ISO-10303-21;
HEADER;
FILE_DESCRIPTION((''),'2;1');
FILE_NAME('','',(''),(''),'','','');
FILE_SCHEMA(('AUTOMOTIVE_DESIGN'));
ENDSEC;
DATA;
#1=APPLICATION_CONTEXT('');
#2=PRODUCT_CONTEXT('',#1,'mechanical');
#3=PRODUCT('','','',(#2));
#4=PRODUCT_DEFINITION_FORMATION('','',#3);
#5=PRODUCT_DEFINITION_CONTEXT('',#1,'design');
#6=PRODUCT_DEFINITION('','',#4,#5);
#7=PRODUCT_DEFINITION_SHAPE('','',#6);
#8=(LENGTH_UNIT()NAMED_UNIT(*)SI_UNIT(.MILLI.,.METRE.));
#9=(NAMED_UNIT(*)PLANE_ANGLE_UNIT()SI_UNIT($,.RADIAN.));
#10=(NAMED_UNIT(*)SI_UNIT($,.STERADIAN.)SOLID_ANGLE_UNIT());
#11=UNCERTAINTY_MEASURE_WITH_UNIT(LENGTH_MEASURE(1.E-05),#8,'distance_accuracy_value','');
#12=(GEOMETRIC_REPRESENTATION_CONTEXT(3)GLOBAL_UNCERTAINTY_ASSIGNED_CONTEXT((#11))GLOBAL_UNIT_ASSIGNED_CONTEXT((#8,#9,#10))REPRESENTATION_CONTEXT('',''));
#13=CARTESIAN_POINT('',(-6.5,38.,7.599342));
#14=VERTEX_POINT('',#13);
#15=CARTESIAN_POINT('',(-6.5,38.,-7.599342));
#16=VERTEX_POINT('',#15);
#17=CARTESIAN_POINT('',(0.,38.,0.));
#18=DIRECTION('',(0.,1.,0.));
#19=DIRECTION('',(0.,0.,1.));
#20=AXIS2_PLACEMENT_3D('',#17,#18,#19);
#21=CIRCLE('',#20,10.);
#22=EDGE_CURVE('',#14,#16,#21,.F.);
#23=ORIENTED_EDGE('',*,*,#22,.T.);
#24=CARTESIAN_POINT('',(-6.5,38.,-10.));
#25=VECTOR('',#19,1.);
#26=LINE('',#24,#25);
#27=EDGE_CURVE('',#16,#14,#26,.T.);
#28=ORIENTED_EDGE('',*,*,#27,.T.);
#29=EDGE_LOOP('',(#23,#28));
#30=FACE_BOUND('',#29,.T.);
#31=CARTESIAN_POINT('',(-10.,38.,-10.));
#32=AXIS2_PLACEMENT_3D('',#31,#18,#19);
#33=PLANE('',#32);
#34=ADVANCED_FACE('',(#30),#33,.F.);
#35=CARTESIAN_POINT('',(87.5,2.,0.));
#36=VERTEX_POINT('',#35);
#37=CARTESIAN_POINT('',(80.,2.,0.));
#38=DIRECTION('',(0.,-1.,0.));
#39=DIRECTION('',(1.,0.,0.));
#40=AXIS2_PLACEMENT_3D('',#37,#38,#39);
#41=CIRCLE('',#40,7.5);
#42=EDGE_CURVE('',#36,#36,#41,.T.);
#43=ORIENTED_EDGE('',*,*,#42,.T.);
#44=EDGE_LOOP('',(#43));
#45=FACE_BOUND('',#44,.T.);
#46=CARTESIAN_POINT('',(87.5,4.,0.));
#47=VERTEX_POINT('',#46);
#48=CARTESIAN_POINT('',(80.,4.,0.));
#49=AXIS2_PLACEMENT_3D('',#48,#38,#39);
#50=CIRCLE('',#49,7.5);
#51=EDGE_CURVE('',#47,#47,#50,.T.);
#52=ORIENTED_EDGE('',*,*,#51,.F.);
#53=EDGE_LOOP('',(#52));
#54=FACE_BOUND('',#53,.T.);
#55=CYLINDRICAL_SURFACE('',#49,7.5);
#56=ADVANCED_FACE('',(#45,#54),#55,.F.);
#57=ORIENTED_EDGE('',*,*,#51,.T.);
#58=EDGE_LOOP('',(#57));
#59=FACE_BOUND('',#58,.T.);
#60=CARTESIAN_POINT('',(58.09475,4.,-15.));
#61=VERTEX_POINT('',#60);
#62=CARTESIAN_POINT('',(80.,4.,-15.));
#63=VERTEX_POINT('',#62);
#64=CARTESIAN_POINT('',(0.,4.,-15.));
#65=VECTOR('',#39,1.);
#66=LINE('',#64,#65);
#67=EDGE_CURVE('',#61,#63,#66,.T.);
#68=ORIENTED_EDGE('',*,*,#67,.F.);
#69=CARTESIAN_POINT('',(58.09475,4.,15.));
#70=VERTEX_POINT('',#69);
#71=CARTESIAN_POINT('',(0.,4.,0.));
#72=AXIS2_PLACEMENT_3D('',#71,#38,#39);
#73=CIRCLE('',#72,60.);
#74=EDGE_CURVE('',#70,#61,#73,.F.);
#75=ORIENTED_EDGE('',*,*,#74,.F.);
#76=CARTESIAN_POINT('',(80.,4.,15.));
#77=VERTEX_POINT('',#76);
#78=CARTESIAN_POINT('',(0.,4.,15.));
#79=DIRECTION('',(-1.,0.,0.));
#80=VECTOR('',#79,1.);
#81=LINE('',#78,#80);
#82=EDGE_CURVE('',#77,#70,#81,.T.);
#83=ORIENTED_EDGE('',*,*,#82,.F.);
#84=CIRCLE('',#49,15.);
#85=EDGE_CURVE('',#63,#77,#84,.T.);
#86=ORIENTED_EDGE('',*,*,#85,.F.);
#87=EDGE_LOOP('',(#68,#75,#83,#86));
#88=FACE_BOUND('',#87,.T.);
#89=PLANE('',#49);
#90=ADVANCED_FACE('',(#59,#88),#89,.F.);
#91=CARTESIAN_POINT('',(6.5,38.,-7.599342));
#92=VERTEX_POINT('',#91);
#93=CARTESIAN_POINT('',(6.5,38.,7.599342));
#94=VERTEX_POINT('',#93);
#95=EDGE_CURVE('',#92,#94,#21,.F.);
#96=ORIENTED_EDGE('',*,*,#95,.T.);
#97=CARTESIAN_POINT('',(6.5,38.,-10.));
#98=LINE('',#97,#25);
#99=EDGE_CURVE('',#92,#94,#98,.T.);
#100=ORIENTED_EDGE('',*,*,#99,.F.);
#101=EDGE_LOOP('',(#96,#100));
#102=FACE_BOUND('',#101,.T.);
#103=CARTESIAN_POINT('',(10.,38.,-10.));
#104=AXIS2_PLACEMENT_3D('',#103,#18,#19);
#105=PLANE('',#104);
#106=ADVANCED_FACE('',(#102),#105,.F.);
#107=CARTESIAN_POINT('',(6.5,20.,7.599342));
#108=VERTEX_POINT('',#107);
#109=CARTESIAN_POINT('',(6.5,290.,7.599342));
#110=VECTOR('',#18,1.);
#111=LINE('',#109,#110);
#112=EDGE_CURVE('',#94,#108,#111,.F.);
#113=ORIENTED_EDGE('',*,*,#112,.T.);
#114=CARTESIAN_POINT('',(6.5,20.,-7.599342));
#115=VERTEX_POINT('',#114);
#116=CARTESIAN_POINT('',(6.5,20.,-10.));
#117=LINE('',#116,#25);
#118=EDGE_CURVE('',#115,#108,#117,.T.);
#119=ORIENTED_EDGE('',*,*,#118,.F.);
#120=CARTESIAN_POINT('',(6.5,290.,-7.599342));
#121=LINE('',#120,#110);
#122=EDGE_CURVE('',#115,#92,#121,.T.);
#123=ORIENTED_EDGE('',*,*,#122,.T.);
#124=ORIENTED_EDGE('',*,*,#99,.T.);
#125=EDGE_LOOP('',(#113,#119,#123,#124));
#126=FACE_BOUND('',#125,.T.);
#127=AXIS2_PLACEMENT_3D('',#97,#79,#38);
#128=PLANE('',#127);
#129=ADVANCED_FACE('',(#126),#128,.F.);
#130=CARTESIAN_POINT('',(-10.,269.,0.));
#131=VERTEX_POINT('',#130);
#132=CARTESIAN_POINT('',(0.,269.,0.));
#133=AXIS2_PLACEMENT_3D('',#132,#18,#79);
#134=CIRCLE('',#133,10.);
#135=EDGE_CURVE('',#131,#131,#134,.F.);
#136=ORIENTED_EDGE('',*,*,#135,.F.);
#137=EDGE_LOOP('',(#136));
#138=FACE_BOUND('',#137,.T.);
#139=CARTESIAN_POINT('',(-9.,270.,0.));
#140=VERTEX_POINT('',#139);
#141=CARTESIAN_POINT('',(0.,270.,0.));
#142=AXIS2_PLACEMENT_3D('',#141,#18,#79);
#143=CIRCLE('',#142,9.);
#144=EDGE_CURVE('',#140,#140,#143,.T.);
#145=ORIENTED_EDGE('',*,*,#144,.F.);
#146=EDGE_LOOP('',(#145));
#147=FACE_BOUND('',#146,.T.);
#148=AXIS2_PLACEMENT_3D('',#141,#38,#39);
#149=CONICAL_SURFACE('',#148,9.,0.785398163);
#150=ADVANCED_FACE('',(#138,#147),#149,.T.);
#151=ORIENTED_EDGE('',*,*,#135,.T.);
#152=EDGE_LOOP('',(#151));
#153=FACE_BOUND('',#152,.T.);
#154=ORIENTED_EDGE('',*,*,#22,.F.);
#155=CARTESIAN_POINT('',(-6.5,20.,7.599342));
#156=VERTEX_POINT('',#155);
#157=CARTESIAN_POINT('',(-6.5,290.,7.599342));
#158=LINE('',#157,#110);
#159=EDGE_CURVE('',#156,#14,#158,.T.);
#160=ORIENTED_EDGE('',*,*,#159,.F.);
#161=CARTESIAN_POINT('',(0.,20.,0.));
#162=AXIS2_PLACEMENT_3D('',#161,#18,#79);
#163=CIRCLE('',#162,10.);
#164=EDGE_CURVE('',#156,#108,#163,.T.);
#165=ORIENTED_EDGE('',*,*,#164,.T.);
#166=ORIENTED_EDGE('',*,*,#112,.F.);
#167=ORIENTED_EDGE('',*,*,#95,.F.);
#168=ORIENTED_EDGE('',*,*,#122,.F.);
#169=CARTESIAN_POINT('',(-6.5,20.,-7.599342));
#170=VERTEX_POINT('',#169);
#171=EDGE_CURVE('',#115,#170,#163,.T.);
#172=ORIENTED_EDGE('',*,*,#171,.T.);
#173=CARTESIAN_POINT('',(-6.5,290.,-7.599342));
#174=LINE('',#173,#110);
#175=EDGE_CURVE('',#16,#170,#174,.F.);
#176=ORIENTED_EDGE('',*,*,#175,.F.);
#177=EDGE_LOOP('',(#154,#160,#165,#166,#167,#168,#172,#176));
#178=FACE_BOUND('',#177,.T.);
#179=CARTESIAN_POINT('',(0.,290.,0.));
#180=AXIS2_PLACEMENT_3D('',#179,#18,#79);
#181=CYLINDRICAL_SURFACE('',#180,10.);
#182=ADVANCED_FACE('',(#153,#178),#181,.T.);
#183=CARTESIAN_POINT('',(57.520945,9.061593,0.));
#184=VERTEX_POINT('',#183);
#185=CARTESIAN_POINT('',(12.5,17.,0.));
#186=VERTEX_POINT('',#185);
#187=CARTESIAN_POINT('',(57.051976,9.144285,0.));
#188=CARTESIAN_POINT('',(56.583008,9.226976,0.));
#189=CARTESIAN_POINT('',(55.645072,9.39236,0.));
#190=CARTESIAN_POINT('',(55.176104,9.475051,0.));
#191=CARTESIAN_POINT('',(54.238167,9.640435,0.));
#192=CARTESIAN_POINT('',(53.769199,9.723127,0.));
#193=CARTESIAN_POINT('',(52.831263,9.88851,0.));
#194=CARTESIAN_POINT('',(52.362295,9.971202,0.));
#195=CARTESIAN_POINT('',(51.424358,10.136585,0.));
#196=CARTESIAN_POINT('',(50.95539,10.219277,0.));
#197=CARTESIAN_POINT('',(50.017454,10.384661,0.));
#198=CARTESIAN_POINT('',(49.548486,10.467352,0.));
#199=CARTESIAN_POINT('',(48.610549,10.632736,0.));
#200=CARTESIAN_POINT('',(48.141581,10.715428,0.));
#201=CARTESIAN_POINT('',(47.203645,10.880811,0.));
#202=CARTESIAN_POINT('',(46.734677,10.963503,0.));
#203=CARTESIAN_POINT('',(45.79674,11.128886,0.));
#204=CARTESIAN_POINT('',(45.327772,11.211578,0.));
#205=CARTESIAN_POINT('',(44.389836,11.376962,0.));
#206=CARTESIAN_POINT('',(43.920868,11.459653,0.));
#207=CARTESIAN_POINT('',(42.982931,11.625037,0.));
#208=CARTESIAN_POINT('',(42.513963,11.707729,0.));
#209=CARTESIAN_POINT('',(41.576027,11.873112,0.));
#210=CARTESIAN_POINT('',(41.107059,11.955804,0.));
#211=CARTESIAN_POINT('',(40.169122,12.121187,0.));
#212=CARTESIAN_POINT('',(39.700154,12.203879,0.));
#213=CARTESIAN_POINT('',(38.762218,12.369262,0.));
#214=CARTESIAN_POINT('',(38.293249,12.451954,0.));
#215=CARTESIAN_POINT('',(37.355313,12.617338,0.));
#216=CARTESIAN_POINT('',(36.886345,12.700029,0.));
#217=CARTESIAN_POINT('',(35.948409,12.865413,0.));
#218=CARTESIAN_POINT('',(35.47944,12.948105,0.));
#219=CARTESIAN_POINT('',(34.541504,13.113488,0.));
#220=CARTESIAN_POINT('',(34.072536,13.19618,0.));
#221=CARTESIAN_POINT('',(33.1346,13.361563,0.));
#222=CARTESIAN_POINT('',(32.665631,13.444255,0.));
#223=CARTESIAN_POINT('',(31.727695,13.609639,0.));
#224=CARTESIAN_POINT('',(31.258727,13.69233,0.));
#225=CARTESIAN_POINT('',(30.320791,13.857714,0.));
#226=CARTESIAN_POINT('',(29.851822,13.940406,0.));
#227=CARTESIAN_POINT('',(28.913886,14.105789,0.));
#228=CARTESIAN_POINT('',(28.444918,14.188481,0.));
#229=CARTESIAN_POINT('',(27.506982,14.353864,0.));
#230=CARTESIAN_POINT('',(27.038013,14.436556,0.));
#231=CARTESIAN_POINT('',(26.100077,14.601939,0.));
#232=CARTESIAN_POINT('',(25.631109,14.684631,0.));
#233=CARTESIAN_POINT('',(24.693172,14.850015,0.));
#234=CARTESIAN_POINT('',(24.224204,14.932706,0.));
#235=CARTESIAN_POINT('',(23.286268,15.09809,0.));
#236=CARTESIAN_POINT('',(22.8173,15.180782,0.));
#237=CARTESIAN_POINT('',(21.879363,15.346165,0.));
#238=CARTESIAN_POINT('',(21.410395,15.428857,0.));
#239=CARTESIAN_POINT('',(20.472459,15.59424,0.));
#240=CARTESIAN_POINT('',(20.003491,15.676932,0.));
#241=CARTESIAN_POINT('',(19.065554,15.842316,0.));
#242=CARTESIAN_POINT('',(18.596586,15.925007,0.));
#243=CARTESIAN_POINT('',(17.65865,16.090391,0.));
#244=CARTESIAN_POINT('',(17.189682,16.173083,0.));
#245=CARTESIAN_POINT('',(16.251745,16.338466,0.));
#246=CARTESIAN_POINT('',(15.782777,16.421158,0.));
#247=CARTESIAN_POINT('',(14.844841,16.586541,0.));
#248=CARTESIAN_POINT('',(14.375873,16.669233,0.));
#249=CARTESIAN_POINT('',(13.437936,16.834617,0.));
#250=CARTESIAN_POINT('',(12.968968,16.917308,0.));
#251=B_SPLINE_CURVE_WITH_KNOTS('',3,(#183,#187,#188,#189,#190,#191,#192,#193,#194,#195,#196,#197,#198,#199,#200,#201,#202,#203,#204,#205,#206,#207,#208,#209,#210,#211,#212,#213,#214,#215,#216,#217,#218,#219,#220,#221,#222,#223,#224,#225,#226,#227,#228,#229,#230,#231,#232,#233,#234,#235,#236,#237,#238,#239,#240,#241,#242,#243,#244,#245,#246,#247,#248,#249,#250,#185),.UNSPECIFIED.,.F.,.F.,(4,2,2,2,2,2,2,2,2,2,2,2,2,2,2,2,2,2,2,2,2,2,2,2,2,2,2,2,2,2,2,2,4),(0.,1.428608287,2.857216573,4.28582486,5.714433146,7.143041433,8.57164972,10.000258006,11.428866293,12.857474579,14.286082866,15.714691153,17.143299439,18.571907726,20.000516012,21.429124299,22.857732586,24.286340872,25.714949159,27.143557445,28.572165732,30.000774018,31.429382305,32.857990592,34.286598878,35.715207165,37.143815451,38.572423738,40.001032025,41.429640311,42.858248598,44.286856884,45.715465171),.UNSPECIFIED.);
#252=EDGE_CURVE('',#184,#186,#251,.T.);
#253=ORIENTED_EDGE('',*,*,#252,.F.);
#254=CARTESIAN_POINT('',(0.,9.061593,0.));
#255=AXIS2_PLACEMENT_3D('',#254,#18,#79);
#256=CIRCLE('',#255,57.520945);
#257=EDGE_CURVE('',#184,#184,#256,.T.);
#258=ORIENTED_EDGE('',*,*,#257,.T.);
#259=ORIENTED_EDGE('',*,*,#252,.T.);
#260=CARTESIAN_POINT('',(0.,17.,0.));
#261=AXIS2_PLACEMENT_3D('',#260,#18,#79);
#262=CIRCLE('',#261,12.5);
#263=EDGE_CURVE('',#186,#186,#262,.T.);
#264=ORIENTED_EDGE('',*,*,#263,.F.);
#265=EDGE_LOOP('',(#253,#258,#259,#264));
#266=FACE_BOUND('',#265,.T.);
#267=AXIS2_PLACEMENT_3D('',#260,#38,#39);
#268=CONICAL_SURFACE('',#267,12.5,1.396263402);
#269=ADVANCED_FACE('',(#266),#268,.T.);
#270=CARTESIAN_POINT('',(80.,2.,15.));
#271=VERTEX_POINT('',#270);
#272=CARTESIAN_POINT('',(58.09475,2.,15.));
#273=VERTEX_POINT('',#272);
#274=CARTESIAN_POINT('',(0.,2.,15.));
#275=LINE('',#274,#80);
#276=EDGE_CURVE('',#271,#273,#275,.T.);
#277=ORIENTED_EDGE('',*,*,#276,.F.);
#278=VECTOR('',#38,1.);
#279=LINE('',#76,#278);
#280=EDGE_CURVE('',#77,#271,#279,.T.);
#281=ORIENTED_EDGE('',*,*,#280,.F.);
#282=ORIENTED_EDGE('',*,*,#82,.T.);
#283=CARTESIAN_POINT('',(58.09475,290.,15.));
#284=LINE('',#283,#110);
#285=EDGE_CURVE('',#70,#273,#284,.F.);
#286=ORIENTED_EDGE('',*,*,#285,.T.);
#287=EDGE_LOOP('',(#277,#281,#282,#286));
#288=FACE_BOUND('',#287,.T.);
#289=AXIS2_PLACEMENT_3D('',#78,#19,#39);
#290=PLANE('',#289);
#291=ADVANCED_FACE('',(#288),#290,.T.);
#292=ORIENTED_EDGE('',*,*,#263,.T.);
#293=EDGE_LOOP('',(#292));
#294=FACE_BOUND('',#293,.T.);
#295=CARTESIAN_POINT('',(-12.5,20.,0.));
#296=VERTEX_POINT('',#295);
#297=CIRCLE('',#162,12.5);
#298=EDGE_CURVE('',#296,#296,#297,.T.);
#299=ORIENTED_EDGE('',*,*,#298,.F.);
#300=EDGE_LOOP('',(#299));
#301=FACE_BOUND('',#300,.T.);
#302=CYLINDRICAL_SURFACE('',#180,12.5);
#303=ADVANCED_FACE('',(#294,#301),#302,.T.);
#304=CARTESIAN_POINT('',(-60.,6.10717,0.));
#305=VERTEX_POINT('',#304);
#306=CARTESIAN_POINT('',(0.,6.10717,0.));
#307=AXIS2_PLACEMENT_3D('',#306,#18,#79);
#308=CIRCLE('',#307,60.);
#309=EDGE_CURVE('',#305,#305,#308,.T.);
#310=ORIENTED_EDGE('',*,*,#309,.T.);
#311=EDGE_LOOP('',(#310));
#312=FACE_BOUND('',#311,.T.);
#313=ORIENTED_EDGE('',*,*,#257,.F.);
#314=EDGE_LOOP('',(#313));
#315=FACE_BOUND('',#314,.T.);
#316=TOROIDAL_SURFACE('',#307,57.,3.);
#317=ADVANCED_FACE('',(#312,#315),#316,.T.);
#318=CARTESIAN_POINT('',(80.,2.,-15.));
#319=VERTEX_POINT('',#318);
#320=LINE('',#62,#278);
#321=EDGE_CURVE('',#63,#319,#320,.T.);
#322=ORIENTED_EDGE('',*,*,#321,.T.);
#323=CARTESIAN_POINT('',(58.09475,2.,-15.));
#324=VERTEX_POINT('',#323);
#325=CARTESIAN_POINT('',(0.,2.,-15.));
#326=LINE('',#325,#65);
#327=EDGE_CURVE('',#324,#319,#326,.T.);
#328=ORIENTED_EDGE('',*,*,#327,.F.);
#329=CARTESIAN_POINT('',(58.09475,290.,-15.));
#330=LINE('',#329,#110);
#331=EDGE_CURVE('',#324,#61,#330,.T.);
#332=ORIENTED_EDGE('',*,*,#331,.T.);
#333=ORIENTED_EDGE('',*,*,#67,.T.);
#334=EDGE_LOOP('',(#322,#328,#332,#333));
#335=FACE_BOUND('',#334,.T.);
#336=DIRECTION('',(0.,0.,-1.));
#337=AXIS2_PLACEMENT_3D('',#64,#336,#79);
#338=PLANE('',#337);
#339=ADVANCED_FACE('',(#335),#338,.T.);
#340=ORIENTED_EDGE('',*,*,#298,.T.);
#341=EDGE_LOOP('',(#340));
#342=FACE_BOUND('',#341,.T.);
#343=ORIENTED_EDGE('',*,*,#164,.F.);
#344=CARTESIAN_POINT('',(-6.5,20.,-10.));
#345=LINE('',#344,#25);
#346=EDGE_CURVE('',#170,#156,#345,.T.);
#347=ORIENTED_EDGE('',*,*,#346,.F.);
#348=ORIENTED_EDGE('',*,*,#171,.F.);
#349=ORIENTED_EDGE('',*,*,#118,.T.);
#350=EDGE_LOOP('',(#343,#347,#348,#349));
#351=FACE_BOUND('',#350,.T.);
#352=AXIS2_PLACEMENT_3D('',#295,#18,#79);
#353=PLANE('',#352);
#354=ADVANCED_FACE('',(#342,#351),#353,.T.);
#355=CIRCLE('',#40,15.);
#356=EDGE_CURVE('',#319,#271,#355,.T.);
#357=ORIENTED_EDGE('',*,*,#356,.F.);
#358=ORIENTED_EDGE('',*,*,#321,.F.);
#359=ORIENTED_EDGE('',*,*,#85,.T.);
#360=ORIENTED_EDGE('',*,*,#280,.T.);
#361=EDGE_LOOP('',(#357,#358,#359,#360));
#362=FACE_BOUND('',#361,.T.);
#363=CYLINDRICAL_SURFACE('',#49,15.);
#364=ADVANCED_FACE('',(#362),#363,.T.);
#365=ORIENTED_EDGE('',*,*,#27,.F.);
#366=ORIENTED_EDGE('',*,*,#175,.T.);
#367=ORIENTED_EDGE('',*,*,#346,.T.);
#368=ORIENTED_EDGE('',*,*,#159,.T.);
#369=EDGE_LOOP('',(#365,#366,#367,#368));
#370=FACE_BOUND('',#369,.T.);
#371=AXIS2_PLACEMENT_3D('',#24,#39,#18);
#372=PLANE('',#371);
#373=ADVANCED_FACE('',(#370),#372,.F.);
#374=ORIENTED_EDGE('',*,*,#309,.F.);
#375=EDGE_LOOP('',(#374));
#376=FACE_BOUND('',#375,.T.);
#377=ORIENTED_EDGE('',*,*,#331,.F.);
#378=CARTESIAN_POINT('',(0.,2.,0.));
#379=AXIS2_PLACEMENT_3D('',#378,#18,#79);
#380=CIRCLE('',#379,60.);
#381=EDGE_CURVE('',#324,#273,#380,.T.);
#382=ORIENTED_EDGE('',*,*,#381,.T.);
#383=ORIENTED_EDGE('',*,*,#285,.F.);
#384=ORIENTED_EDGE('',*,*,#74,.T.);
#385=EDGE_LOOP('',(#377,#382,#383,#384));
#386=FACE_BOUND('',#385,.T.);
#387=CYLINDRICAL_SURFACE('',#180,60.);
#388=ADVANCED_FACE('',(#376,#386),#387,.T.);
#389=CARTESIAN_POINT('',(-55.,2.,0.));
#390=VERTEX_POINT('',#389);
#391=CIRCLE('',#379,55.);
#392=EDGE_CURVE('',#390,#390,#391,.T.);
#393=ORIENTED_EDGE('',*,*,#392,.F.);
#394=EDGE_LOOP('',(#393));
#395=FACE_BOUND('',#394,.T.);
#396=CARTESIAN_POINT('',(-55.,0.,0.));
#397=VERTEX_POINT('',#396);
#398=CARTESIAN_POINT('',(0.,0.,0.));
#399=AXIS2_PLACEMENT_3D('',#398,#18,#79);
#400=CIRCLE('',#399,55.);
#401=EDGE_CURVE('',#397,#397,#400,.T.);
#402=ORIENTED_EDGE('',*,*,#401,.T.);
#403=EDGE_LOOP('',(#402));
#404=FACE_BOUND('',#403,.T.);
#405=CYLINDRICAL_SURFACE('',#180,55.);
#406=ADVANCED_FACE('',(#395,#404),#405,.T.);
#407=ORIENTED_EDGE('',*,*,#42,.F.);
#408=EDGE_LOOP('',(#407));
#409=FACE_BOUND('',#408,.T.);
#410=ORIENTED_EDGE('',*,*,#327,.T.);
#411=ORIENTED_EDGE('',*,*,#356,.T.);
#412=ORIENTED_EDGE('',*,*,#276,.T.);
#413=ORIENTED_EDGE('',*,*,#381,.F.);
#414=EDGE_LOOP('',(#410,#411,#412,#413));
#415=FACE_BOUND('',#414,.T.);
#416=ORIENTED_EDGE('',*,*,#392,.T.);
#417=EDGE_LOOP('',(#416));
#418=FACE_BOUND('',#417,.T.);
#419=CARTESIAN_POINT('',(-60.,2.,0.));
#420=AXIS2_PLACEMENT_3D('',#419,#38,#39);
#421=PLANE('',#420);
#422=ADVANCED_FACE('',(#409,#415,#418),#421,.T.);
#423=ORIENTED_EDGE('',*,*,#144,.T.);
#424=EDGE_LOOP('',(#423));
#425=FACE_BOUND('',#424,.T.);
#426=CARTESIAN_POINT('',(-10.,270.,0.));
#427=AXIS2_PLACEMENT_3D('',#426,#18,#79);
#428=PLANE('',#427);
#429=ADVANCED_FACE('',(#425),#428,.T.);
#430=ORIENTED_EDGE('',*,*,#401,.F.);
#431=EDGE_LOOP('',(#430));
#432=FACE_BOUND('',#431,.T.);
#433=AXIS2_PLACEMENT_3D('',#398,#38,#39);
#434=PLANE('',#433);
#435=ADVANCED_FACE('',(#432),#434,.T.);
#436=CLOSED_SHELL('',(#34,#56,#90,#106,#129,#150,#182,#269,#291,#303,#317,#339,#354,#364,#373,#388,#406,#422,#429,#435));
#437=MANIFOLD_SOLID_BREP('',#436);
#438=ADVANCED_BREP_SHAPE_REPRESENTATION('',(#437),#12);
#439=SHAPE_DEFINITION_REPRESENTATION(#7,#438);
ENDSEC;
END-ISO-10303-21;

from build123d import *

# Parameters (mm, degrees)
FASE1_SIZE                      = 1
SKIZZE2_W                       = 3.5
SKIZZE2_H                       = 18
SCHNITT_LINEAR_AUSTRAGEN1_DEPTH = 10
SKIZZE3_R                       = 7.5
AUFSATZ_LINEAR_AUSTRAGEN1_DEPTH = 2


with BuildPart() as part:
    # Skizze1 → Rotation1 (revolve)
    with BuildSketch(Plane.XY):
        with BuildLine():
            Line((0, 0), (-55, 0))
            Line((-55, 0), (-55, 2))
            Line((-55, 2), (-60, 2))
            Line((-60, 2), (-60, 6.107169523))
            ThreePointArc((-60, 6.107169523), (-59.298133329, 8.035532352), (-57.520944533, 9.061592782))
            Line((-57.520944533, 9.061592782), (-12.5, 17))
            Line((-12.5, 17), (-12.5, 20))
            Line((-12.5, 20), (-10, 20))
            Line((-10, 20), (-10, 270))
            Line((-10, 270), (0, 270))
            Line((0, 270), (0, 0))
        make_face()
    revolve(axis=Axis((0, 290, 0), (0, -1, 0)))

    # Fase1
    fase1_edges = [part.edges().sort_by_distance(p)[0] for p in [
        (10, 270, 0),
    ]]
    chamfer(fase1_edges, length=FASE1_SIZE)

    # Skizze2 → Schnitt-Linear austragen1 (cut, symmetric)
    with BuildSketch(Plane.XY):
        with Locations((-8.25, 29)):
            Rectangle(SKIZZE2_W, SKIZZE2_H)
        with Locations((8.25, 29)):
            Rectangle(SKIZZE2_W, SKIZZE2_H)
    extrude(amount=SCHNITT_LINEAR_AUSTRAGEN1_DEPTH, both=True, mode=Mode.SUBTRACT)

    # Skizze3 → Aufsatz-Linear austragen1 (add)
    with BuildSketch(Plane.XZ.offset(-2)):
        with BuildLine():
            Line((0, 15), (0, -15))
            Line((0, -15), (80, -15))
            ThreePointArc((80, -15), (95, 0), (80, 15))
            Line((80, 15), (0, 15))
        make_face()
        with Locations((80, 0)):
            Circle(SKIZZE3_R, mode=Mode.SUBTRACT)
    extrude(amount=-AUFSATZ_LINEAR_AUSTRAGEN1_DEPTH)


solid = part.part
